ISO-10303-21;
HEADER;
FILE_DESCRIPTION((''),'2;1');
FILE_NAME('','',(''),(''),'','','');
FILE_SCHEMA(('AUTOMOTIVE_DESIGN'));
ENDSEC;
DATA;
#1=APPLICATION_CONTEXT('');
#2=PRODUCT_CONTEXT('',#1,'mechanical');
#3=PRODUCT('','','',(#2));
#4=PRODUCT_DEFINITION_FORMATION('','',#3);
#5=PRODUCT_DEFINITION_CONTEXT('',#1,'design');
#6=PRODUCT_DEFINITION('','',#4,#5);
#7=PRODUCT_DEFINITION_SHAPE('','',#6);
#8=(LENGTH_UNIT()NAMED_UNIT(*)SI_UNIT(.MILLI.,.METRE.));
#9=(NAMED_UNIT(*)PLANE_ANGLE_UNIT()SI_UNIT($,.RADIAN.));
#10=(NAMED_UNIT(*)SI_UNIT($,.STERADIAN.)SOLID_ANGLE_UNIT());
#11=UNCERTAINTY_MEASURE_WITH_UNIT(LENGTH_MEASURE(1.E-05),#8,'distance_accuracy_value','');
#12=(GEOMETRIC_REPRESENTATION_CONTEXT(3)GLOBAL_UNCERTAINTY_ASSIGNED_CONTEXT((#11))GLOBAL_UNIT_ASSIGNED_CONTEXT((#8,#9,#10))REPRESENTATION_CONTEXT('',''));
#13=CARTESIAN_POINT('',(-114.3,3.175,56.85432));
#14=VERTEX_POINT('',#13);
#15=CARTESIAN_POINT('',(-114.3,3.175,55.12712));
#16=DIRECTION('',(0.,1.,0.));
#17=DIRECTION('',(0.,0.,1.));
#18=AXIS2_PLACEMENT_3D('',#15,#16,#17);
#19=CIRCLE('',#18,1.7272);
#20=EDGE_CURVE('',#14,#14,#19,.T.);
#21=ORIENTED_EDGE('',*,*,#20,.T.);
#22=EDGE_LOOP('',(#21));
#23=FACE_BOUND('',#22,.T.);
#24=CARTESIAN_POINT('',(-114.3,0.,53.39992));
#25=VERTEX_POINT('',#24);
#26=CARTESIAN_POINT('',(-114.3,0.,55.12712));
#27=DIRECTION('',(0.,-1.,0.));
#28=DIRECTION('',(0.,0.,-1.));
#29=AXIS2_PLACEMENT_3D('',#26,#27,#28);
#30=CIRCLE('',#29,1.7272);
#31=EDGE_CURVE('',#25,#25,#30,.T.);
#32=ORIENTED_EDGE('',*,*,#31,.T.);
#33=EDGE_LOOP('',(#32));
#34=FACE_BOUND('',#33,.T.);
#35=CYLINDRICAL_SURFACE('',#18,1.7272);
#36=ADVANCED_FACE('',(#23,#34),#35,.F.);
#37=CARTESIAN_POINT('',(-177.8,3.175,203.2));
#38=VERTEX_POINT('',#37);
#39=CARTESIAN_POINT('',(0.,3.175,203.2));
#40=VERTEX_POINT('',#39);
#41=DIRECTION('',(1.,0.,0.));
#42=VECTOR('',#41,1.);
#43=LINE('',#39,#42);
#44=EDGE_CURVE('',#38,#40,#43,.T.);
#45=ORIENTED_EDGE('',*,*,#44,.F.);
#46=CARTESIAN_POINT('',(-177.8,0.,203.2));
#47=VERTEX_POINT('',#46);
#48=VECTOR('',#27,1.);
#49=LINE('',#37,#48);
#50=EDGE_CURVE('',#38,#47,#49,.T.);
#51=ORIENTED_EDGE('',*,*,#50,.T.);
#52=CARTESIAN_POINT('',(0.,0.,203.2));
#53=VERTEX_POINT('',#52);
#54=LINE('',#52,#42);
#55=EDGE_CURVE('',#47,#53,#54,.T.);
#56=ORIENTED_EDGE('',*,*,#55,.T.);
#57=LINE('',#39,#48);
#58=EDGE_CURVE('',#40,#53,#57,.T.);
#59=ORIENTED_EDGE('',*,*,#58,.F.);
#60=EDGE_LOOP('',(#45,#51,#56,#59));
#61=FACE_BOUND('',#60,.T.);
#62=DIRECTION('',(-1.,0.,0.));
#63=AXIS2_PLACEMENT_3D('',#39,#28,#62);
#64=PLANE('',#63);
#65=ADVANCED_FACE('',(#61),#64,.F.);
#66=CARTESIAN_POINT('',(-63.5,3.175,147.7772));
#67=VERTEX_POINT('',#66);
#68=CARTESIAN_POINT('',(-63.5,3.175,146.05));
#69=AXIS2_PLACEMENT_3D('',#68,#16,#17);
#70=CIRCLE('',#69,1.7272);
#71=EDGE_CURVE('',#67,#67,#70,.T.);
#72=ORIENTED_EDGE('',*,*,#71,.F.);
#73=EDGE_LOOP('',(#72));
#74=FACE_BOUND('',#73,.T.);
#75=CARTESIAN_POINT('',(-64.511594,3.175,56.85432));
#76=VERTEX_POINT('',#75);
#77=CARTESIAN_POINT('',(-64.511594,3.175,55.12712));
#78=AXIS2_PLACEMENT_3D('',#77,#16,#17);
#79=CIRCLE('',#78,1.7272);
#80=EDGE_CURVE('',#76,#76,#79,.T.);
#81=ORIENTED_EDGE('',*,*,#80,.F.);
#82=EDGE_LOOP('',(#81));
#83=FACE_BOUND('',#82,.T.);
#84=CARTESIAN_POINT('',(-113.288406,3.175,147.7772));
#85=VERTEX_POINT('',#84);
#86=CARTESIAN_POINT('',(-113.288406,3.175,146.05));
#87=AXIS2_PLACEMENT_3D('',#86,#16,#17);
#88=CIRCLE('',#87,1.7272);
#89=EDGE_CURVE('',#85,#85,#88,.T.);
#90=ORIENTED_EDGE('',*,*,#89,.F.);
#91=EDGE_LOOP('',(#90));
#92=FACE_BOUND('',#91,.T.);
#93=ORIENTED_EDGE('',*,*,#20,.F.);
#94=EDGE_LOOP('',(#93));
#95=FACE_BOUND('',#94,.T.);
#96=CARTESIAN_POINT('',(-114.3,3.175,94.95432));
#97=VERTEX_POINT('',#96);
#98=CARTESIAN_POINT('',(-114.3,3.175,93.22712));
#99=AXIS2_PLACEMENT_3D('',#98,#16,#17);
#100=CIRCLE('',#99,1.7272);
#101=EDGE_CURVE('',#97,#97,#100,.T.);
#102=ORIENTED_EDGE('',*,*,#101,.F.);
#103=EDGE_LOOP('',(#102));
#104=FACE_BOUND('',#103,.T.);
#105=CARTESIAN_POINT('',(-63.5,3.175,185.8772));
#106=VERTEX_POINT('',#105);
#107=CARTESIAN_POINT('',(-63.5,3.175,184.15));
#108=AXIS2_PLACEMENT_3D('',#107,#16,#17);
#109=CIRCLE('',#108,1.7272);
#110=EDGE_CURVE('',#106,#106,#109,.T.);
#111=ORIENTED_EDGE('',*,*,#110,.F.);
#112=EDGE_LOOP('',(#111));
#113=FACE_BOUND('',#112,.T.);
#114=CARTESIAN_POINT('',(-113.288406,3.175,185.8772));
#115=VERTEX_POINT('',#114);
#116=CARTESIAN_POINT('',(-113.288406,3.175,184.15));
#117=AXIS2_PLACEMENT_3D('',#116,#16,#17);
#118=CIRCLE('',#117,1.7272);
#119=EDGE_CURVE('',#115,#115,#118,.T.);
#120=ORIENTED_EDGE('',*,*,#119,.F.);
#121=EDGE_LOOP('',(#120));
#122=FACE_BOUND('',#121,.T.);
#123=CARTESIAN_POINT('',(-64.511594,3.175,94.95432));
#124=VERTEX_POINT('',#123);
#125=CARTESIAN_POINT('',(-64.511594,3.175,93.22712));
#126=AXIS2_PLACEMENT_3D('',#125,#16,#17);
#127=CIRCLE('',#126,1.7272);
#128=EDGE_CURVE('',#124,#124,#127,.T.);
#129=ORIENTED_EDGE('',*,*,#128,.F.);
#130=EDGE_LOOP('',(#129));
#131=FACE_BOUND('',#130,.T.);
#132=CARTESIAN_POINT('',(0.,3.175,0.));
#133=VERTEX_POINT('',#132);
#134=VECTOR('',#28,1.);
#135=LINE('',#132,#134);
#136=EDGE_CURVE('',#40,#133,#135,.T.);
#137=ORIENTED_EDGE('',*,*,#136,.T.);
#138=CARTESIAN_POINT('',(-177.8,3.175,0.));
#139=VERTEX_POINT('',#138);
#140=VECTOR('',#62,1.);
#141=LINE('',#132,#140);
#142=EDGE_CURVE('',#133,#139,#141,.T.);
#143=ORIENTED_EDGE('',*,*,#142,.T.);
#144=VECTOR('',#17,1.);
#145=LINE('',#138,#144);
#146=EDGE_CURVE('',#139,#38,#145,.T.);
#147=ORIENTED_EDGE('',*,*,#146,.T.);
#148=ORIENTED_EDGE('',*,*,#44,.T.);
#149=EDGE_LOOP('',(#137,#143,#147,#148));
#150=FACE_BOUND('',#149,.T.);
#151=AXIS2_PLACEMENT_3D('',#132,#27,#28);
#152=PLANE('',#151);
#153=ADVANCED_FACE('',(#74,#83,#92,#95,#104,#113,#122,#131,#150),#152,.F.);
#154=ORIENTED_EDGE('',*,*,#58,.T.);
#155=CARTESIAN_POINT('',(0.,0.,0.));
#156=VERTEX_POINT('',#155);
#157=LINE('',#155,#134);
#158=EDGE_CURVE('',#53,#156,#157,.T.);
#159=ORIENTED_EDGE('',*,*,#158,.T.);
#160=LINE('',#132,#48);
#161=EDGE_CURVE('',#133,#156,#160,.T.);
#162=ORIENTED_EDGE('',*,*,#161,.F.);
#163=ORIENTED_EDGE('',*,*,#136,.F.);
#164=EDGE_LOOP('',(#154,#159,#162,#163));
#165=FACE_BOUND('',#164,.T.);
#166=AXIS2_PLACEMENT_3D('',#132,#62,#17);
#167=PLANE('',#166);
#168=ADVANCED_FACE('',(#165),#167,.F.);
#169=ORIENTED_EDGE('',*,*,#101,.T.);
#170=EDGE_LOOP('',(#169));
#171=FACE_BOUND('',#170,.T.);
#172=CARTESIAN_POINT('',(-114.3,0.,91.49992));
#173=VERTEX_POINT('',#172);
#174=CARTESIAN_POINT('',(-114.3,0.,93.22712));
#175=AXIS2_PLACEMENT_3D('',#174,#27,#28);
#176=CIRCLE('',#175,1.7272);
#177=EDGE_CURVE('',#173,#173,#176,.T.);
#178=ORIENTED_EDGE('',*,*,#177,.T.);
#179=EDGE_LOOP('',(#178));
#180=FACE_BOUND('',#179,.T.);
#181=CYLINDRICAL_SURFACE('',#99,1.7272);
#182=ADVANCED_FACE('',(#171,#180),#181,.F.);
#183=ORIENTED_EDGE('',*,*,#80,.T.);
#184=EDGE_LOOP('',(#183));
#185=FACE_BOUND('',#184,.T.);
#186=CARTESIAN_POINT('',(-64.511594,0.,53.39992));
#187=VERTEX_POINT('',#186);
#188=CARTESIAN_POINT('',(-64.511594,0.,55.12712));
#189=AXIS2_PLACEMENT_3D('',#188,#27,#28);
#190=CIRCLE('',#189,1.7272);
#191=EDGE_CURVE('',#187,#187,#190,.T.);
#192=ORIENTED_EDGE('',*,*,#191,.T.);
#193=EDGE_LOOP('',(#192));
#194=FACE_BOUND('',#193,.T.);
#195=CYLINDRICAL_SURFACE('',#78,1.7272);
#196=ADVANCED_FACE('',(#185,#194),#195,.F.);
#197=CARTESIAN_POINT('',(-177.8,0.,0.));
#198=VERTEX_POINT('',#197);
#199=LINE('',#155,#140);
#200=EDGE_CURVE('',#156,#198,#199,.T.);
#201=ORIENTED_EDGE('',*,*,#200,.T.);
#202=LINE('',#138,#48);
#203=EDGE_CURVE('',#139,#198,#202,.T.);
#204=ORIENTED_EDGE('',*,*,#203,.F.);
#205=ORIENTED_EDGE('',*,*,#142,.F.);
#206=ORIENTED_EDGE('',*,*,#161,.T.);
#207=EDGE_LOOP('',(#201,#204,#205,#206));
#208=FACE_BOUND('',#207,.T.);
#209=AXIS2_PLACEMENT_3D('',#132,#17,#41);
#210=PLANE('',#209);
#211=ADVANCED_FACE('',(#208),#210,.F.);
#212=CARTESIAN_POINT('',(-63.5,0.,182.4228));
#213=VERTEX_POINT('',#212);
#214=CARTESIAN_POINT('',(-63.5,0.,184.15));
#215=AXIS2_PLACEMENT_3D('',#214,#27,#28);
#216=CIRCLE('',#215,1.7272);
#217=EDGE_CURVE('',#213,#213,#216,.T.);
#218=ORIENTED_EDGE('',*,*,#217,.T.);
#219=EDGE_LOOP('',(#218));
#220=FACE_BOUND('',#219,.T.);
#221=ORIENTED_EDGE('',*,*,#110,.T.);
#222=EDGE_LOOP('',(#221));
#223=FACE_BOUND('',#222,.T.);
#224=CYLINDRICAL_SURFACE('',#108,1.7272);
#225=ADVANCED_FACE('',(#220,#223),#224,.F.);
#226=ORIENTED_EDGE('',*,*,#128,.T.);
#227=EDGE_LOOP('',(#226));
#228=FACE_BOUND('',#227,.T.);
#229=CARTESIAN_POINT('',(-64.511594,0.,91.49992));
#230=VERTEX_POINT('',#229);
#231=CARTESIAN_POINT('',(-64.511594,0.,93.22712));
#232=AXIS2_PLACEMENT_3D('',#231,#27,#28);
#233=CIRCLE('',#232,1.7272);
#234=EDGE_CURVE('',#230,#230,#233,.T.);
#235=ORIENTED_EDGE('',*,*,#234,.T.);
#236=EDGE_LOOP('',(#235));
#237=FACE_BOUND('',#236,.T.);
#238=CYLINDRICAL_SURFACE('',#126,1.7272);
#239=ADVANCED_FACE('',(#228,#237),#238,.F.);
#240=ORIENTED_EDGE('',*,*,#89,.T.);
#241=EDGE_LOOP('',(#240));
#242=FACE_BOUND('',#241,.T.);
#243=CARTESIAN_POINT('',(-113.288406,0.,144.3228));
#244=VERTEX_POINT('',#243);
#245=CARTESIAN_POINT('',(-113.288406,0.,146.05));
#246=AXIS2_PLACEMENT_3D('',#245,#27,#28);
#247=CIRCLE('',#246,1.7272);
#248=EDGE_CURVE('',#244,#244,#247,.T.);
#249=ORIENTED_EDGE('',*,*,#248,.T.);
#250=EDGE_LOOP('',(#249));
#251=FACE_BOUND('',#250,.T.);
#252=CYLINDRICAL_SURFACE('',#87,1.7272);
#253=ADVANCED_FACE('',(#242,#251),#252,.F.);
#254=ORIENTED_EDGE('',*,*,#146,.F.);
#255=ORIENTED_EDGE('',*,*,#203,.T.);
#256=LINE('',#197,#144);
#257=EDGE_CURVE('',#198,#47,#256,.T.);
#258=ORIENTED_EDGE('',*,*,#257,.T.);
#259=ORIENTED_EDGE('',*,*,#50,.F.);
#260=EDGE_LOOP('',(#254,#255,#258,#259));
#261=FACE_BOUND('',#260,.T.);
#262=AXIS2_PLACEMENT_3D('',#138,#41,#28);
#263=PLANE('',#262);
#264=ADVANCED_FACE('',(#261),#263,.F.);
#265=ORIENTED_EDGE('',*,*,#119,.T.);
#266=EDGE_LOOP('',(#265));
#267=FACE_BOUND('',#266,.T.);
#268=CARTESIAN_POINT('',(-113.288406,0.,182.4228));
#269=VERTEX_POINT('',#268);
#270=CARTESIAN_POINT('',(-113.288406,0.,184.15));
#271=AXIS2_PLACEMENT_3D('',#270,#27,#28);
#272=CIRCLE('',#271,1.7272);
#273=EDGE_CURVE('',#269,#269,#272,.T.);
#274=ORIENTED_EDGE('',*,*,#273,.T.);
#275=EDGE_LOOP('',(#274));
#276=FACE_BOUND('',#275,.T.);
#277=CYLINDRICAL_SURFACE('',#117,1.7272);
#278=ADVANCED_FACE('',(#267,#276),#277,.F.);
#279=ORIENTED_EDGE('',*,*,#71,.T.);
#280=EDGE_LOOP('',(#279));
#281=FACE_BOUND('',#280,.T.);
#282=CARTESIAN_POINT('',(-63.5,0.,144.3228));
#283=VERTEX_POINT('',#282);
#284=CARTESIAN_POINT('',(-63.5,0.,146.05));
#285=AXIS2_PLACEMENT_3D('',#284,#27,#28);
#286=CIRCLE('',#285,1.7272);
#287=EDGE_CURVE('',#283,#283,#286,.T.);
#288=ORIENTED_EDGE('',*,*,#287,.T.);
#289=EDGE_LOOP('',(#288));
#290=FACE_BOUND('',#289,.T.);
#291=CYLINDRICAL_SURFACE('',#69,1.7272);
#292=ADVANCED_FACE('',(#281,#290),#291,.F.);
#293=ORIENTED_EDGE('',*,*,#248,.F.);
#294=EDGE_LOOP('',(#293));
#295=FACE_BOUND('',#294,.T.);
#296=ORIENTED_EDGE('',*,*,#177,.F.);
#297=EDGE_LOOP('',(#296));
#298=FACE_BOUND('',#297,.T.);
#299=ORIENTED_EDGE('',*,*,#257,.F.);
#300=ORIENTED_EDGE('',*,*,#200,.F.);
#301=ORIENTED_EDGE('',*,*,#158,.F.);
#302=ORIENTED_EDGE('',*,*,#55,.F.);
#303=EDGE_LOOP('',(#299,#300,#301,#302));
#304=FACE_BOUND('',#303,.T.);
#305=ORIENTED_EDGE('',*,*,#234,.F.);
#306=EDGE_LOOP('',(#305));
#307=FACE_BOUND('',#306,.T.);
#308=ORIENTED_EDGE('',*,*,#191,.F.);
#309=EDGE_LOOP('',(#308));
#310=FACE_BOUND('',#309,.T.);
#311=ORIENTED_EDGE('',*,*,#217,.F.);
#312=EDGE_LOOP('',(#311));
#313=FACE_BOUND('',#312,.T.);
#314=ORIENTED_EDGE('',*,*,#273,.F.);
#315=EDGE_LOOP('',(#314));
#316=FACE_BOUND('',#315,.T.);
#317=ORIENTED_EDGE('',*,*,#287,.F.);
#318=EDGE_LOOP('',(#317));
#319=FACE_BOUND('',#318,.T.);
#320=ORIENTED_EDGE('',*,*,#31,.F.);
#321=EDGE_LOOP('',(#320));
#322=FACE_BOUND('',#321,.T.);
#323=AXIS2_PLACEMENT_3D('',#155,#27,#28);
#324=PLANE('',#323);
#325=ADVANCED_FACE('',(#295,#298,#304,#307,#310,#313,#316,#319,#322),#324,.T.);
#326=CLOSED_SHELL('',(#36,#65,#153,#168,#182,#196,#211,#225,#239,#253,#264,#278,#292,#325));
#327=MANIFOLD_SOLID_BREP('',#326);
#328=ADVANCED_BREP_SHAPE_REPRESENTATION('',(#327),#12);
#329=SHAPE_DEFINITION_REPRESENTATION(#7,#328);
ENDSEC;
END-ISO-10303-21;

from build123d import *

# Parameters (mm, degrees)
SKETCH1_W                 = 177.8
SKETCH1_H                 = 203.2
BOSS_EXTRUDE1_DEPTH       = 3.175
TAP_DRILL_FOR_8_36_TAP1_D = 3.4544


with BuildPart() as part:
    # Sketch1 → Boss-Extrude1 (new body)
    with BuildSketch(Plane(origin=(0, 0, 0), x_dir=(1, 0, 0), z_dir=(0, 1, 0))):
        with Locations((-88.9, -101.6)):
            Rectangle(SKETCH1_W, SKETCH1_H)
    extrude(amount=BOSS_EXTRUDE1_DEPTH)

    # Tap Drill for #8-36 Tap1 (through all)
    with Locations(Plane(origin=(0, 3.175, 0), x_dir=(1, 0, 0), z_dir=(0, 1, 0))):
        with Locations((-114.3, -55.12712), (-64.511593905, -55.12712), (-64.511593905, -93.22712), (-114.3, -93.22712), (-113.288406095, -146.05), (-113.288406095, -184.15), (-63.5, -184.15), (-63.5, -146.05)):
            Hole(TAP_DRILL_FOR_8_36_TAP1_D / 2)


solid = part.part
